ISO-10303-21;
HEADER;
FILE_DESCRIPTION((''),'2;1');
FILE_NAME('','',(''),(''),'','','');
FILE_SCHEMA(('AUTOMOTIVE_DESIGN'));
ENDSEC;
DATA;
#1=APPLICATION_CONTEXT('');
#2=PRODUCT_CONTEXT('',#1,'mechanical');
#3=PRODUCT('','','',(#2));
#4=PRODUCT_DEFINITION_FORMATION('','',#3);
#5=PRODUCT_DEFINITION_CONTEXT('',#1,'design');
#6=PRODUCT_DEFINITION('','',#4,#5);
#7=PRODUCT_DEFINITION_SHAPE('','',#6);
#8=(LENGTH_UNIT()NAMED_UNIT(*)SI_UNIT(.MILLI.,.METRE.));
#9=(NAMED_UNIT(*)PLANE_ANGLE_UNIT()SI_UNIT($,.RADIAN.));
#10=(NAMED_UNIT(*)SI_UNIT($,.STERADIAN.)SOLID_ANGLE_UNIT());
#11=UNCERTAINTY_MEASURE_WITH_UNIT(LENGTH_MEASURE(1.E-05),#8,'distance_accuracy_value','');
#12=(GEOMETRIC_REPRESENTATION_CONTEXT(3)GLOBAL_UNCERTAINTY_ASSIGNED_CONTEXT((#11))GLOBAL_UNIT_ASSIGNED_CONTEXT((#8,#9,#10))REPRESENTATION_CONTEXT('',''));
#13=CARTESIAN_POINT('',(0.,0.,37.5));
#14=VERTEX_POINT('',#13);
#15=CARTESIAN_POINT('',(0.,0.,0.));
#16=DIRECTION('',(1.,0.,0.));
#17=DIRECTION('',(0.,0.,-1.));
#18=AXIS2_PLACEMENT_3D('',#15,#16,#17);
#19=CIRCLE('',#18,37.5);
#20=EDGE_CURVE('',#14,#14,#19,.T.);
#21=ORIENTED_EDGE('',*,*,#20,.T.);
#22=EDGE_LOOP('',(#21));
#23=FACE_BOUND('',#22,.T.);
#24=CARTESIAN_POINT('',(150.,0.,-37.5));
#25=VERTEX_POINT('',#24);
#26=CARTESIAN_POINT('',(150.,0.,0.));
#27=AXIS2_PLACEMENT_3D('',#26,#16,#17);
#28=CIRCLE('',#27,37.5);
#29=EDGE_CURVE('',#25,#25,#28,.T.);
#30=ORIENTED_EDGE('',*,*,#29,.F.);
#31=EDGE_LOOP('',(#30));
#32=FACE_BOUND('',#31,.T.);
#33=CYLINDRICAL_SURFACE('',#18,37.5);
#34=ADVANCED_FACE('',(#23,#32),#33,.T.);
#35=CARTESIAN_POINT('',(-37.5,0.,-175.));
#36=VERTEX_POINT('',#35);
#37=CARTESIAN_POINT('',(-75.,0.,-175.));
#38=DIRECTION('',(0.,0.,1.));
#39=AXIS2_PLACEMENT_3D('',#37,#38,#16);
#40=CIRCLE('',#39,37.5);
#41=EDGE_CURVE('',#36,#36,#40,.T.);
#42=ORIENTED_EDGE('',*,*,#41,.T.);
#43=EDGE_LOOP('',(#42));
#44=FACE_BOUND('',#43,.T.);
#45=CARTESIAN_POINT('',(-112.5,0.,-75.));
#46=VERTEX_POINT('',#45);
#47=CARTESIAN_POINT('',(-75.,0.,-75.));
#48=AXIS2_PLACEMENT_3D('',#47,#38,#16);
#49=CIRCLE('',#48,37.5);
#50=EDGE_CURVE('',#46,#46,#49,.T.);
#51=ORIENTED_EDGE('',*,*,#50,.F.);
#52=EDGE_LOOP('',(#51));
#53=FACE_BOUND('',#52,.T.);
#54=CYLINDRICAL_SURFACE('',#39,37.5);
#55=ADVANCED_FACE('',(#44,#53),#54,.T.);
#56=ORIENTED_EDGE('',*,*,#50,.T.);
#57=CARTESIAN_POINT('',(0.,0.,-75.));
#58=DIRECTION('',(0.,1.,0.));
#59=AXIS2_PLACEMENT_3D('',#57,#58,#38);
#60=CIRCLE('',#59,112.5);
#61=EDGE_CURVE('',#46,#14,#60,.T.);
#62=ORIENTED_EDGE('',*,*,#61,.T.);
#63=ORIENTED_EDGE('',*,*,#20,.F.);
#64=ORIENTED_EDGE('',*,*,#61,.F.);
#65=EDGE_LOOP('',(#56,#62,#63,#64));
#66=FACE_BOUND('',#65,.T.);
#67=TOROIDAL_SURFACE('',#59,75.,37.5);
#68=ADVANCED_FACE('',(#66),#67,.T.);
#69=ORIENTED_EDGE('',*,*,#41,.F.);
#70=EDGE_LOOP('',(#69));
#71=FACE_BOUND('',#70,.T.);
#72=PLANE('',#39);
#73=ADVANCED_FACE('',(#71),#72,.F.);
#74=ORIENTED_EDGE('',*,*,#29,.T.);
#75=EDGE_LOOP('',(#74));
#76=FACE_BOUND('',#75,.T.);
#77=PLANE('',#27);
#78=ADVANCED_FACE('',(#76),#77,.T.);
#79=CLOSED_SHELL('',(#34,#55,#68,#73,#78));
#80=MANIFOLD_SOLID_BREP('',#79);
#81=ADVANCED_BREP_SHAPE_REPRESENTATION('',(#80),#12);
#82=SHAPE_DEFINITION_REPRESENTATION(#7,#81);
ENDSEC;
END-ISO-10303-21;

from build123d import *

# Parameters (mm, degrees)
SWEEP1_PROFILE_R = 37.5


with BuildPart() as part:
    # Sweep1: sweep along a path in Sketch2
    with BuildLine(Plane(origin=(0, 0, 0), x_dir=(1, 0, 0), z_dir=(0, 1, 0))) as sweep1_path:
        Line((150, 0), (0, 0))
        ThreePointArc((0, 0), (-53.033008589, 21.966991411), (-75, 75))
        Line((-75, 75), (-75, 175))
    # Sweep1 profile (on start of the path) → Sweep1 (sweep)
    with BuildSketch(Plane(origin=(150, 0, 0), x_dir=(0, 0, -1), z_dir=(-1, 0, 0))):
        Circle(SWEEP1_PROFILE_R)
    sweep(path=sweep1_path.line)


solid = part.part
